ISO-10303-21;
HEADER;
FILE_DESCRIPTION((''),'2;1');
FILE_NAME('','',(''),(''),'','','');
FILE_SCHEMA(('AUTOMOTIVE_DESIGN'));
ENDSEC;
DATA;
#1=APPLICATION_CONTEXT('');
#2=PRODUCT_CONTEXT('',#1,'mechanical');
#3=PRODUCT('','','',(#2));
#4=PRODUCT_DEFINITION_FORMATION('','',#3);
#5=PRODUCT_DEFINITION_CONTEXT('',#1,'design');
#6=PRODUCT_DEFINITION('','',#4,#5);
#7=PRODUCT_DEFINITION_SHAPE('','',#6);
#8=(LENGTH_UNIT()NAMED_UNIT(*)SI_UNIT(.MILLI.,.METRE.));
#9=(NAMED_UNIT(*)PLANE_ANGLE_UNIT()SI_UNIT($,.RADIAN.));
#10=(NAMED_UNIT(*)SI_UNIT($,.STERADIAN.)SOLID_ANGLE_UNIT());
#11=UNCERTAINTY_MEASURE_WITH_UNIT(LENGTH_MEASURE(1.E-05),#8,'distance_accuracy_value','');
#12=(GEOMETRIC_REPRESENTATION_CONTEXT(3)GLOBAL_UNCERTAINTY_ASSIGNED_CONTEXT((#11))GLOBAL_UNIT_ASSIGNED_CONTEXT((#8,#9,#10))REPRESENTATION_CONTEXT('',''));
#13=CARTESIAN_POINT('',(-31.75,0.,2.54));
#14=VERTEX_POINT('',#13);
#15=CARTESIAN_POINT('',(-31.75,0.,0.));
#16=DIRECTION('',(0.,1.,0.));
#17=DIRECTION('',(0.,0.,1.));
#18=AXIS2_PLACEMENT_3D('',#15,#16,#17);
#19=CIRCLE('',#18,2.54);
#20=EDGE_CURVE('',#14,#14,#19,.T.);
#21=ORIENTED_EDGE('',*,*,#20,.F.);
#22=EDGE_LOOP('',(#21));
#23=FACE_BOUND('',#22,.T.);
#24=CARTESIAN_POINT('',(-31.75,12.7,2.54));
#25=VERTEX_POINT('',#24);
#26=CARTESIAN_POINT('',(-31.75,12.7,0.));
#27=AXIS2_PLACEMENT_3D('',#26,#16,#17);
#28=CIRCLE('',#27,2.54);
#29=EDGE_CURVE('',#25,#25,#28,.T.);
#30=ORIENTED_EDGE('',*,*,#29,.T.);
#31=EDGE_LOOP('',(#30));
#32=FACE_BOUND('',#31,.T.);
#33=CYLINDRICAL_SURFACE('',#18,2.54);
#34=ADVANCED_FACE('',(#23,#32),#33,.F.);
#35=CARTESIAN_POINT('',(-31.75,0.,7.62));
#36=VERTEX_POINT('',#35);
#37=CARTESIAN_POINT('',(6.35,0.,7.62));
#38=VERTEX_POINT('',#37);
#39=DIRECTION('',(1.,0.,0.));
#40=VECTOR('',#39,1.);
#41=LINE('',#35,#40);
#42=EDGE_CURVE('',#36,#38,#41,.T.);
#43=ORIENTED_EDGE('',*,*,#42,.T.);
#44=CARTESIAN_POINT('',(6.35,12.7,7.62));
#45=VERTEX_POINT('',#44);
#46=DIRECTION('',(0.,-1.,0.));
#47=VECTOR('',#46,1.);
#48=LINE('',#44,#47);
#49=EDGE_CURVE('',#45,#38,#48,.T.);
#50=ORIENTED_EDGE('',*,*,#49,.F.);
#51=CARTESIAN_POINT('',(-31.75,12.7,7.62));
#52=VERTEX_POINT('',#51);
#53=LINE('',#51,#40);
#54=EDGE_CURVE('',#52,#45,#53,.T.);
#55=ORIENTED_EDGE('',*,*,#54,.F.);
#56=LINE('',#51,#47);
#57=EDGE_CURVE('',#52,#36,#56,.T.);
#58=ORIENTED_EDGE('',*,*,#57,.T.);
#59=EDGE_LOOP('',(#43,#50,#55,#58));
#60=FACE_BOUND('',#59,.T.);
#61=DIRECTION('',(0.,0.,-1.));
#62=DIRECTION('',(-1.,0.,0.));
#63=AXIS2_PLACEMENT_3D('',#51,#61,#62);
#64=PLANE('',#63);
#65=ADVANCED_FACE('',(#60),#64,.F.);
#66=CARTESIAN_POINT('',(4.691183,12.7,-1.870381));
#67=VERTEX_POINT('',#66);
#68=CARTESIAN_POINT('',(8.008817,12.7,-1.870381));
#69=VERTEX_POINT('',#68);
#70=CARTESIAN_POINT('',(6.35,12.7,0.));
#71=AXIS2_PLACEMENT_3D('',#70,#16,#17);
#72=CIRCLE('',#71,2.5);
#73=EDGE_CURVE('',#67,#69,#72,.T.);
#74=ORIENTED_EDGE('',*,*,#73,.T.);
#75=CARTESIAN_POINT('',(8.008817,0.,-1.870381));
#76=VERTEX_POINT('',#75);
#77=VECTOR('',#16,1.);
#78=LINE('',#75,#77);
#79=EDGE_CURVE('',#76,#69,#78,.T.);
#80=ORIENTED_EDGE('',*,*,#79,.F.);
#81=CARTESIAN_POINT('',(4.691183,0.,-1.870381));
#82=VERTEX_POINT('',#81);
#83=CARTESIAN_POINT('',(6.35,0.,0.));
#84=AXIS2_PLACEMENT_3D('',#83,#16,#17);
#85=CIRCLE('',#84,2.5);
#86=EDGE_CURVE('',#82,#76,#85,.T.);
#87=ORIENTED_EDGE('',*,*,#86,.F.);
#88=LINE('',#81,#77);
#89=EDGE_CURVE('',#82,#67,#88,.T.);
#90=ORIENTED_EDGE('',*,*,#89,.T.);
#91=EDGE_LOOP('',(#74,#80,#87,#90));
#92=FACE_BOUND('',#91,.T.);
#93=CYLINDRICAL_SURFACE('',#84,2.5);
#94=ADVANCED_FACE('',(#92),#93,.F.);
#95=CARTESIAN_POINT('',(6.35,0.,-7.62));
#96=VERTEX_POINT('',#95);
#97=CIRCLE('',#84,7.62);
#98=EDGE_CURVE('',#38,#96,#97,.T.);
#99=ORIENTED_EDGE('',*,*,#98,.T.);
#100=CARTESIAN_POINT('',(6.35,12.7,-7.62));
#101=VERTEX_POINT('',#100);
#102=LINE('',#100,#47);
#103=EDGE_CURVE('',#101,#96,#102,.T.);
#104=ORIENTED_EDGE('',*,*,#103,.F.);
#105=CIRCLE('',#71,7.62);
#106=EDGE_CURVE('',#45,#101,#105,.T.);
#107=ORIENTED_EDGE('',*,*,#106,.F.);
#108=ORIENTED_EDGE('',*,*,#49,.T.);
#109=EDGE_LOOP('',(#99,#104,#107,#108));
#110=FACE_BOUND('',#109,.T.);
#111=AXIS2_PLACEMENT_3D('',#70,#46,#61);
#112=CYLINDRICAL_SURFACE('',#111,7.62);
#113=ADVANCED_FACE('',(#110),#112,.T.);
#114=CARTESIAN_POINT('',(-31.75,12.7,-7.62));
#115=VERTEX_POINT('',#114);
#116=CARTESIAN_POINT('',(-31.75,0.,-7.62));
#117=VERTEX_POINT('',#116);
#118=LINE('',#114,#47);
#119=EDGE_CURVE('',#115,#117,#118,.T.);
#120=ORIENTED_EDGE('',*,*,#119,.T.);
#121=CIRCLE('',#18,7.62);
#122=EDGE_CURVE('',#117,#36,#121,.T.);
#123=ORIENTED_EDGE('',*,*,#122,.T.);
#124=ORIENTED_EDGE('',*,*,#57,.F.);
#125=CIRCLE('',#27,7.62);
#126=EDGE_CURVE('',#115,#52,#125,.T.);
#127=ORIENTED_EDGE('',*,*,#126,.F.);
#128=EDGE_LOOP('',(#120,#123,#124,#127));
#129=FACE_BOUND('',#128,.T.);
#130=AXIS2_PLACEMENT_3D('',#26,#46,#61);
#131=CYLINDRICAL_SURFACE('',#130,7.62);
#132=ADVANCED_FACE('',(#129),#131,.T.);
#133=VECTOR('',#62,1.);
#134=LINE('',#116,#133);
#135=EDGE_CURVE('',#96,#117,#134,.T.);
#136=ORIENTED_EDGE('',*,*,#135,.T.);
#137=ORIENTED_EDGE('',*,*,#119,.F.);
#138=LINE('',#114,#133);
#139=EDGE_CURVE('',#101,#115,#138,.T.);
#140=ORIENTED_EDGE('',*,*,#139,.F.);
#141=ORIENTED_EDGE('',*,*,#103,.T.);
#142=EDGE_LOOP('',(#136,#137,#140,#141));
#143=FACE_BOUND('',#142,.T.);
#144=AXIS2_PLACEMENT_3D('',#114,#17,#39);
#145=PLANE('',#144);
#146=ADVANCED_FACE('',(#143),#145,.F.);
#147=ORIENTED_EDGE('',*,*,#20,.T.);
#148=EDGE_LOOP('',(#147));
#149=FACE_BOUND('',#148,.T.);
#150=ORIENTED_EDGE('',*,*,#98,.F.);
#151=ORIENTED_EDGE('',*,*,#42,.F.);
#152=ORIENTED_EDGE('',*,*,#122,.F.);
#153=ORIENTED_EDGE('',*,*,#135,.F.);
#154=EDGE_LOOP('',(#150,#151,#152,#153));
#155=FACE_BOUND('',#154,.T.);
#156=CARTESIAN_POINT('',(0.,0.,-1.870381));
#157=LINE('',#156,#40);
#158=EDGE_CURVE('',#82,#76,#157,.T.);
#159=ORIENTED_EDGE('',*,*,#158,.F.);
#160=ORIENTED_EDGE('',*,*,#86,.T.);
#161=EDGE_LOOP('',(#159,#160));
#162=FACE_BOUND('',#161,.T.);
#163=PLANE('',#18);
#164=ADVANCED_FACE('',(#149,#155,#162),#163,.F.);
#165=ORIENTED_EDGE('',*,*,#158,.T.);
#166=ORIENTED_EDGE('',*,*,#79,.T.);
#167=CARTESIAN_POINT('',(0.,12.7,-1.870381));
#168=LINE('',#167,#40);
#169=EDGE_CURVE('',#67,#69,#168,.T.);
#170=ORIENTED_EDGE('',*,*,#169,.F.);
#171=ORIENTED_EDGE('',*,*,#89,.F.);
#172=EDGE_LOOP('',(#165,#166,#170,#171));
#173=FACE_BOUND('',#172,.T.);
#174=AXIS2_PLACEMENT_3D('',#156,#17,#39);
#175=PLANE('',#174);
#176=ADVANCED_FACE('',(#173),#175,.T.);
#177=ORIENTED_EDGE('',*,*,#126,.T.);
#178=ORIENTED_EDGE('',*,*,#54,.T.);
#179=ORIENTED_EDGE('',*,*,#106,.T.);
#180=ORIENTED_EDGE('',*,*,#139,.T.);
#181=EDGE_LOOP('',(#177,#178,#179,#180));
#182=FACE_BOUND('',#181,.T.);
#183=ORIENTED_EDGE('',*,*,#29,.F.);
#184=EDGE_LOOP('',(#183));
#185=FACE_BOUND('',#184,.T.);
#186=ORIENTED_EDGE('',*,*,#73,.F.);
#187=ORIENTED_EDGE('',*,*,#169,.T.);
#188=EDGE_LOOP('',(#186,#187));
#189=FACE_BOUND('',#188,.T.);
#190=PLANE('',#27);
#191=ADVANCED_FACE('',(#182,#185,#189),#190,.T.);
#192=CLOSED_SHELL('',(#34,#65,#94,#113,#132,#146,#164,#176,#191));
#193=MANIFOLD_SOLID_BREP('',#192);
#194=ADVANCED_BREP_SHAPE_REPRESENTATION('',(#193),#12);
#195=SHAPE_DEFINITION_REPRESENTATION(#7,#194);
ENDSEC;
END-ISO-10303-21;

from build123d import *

# Parameters (mm, degrees)
BOSS_EXTRUDE1_DEPTH = 12.7
SKETCH4_R           = 2.54
CUT_EXTRUDE3_DEPTH  = 43.063657711
CUT_EXTRUDE4_DEPTH  = 43.063657711


with BuildPart() as part:
    # Sketch3 → Boss-Extrude1 (new body)
    with BuildSketch(Plane(origin=(0, 0, 0), x_dir=(1, 0, 0), z_dir=(0, 1, 0))):
        with BuildLine():
            Line((-31.75, 7.62), (6.35, 7.62))
            ThreePointArc((6.35, 7.62), (13.97, 0), (6.35, -7.62))
            Line((6.35, -7.62), (-31.75, -7.62))
            ThreePointArc((-31.75, -7.62), (-39.37, 0), (-31.75, 7.62))
        make_face()
    extrude(amount=BOSS_EXTRUDE1_DEPTH)

    # Sketch4 → Cut-Extrude3 (cut, through all)
    with BuildSketch(Plane(origin=(0, 12.7, 0), x_dir=(1, 0, 0), z_dir=(0, 1, 0))):
        with Locations(Location((-31.75, 0, 0), (0, 0, 270))):
            Circle(SKETCH4_R)
    extrude(amount=-CUT_EXTRUDE3_DEPTH, mode=Mode.SUBTRACT)

    # Sketch6 → Cut-Extrude4 (cut, through all)
    with BuildSketch(Plane(origin=(0, 12.7, 0), x_dir=(1, 0, 0), z_dir=(0, 1, 0))):
        with BuildLine():
            Line((8.00881749, 1.870380853), (4.69118251, 1.870380853))
            ThreePointArc((4.69118251, 1.870380853), (5.32458392, -2.280026724), (8.85, 0))
            ThreePointArc((8.85, 0), (8.630026724, 1.02541608), (8.00881749, 1.870380853))
        make_face()
    extrude(amount=-CUT_EXTRUDE4_DEPTH, mode=Mode.SUBTRACT)


solid = part.part
